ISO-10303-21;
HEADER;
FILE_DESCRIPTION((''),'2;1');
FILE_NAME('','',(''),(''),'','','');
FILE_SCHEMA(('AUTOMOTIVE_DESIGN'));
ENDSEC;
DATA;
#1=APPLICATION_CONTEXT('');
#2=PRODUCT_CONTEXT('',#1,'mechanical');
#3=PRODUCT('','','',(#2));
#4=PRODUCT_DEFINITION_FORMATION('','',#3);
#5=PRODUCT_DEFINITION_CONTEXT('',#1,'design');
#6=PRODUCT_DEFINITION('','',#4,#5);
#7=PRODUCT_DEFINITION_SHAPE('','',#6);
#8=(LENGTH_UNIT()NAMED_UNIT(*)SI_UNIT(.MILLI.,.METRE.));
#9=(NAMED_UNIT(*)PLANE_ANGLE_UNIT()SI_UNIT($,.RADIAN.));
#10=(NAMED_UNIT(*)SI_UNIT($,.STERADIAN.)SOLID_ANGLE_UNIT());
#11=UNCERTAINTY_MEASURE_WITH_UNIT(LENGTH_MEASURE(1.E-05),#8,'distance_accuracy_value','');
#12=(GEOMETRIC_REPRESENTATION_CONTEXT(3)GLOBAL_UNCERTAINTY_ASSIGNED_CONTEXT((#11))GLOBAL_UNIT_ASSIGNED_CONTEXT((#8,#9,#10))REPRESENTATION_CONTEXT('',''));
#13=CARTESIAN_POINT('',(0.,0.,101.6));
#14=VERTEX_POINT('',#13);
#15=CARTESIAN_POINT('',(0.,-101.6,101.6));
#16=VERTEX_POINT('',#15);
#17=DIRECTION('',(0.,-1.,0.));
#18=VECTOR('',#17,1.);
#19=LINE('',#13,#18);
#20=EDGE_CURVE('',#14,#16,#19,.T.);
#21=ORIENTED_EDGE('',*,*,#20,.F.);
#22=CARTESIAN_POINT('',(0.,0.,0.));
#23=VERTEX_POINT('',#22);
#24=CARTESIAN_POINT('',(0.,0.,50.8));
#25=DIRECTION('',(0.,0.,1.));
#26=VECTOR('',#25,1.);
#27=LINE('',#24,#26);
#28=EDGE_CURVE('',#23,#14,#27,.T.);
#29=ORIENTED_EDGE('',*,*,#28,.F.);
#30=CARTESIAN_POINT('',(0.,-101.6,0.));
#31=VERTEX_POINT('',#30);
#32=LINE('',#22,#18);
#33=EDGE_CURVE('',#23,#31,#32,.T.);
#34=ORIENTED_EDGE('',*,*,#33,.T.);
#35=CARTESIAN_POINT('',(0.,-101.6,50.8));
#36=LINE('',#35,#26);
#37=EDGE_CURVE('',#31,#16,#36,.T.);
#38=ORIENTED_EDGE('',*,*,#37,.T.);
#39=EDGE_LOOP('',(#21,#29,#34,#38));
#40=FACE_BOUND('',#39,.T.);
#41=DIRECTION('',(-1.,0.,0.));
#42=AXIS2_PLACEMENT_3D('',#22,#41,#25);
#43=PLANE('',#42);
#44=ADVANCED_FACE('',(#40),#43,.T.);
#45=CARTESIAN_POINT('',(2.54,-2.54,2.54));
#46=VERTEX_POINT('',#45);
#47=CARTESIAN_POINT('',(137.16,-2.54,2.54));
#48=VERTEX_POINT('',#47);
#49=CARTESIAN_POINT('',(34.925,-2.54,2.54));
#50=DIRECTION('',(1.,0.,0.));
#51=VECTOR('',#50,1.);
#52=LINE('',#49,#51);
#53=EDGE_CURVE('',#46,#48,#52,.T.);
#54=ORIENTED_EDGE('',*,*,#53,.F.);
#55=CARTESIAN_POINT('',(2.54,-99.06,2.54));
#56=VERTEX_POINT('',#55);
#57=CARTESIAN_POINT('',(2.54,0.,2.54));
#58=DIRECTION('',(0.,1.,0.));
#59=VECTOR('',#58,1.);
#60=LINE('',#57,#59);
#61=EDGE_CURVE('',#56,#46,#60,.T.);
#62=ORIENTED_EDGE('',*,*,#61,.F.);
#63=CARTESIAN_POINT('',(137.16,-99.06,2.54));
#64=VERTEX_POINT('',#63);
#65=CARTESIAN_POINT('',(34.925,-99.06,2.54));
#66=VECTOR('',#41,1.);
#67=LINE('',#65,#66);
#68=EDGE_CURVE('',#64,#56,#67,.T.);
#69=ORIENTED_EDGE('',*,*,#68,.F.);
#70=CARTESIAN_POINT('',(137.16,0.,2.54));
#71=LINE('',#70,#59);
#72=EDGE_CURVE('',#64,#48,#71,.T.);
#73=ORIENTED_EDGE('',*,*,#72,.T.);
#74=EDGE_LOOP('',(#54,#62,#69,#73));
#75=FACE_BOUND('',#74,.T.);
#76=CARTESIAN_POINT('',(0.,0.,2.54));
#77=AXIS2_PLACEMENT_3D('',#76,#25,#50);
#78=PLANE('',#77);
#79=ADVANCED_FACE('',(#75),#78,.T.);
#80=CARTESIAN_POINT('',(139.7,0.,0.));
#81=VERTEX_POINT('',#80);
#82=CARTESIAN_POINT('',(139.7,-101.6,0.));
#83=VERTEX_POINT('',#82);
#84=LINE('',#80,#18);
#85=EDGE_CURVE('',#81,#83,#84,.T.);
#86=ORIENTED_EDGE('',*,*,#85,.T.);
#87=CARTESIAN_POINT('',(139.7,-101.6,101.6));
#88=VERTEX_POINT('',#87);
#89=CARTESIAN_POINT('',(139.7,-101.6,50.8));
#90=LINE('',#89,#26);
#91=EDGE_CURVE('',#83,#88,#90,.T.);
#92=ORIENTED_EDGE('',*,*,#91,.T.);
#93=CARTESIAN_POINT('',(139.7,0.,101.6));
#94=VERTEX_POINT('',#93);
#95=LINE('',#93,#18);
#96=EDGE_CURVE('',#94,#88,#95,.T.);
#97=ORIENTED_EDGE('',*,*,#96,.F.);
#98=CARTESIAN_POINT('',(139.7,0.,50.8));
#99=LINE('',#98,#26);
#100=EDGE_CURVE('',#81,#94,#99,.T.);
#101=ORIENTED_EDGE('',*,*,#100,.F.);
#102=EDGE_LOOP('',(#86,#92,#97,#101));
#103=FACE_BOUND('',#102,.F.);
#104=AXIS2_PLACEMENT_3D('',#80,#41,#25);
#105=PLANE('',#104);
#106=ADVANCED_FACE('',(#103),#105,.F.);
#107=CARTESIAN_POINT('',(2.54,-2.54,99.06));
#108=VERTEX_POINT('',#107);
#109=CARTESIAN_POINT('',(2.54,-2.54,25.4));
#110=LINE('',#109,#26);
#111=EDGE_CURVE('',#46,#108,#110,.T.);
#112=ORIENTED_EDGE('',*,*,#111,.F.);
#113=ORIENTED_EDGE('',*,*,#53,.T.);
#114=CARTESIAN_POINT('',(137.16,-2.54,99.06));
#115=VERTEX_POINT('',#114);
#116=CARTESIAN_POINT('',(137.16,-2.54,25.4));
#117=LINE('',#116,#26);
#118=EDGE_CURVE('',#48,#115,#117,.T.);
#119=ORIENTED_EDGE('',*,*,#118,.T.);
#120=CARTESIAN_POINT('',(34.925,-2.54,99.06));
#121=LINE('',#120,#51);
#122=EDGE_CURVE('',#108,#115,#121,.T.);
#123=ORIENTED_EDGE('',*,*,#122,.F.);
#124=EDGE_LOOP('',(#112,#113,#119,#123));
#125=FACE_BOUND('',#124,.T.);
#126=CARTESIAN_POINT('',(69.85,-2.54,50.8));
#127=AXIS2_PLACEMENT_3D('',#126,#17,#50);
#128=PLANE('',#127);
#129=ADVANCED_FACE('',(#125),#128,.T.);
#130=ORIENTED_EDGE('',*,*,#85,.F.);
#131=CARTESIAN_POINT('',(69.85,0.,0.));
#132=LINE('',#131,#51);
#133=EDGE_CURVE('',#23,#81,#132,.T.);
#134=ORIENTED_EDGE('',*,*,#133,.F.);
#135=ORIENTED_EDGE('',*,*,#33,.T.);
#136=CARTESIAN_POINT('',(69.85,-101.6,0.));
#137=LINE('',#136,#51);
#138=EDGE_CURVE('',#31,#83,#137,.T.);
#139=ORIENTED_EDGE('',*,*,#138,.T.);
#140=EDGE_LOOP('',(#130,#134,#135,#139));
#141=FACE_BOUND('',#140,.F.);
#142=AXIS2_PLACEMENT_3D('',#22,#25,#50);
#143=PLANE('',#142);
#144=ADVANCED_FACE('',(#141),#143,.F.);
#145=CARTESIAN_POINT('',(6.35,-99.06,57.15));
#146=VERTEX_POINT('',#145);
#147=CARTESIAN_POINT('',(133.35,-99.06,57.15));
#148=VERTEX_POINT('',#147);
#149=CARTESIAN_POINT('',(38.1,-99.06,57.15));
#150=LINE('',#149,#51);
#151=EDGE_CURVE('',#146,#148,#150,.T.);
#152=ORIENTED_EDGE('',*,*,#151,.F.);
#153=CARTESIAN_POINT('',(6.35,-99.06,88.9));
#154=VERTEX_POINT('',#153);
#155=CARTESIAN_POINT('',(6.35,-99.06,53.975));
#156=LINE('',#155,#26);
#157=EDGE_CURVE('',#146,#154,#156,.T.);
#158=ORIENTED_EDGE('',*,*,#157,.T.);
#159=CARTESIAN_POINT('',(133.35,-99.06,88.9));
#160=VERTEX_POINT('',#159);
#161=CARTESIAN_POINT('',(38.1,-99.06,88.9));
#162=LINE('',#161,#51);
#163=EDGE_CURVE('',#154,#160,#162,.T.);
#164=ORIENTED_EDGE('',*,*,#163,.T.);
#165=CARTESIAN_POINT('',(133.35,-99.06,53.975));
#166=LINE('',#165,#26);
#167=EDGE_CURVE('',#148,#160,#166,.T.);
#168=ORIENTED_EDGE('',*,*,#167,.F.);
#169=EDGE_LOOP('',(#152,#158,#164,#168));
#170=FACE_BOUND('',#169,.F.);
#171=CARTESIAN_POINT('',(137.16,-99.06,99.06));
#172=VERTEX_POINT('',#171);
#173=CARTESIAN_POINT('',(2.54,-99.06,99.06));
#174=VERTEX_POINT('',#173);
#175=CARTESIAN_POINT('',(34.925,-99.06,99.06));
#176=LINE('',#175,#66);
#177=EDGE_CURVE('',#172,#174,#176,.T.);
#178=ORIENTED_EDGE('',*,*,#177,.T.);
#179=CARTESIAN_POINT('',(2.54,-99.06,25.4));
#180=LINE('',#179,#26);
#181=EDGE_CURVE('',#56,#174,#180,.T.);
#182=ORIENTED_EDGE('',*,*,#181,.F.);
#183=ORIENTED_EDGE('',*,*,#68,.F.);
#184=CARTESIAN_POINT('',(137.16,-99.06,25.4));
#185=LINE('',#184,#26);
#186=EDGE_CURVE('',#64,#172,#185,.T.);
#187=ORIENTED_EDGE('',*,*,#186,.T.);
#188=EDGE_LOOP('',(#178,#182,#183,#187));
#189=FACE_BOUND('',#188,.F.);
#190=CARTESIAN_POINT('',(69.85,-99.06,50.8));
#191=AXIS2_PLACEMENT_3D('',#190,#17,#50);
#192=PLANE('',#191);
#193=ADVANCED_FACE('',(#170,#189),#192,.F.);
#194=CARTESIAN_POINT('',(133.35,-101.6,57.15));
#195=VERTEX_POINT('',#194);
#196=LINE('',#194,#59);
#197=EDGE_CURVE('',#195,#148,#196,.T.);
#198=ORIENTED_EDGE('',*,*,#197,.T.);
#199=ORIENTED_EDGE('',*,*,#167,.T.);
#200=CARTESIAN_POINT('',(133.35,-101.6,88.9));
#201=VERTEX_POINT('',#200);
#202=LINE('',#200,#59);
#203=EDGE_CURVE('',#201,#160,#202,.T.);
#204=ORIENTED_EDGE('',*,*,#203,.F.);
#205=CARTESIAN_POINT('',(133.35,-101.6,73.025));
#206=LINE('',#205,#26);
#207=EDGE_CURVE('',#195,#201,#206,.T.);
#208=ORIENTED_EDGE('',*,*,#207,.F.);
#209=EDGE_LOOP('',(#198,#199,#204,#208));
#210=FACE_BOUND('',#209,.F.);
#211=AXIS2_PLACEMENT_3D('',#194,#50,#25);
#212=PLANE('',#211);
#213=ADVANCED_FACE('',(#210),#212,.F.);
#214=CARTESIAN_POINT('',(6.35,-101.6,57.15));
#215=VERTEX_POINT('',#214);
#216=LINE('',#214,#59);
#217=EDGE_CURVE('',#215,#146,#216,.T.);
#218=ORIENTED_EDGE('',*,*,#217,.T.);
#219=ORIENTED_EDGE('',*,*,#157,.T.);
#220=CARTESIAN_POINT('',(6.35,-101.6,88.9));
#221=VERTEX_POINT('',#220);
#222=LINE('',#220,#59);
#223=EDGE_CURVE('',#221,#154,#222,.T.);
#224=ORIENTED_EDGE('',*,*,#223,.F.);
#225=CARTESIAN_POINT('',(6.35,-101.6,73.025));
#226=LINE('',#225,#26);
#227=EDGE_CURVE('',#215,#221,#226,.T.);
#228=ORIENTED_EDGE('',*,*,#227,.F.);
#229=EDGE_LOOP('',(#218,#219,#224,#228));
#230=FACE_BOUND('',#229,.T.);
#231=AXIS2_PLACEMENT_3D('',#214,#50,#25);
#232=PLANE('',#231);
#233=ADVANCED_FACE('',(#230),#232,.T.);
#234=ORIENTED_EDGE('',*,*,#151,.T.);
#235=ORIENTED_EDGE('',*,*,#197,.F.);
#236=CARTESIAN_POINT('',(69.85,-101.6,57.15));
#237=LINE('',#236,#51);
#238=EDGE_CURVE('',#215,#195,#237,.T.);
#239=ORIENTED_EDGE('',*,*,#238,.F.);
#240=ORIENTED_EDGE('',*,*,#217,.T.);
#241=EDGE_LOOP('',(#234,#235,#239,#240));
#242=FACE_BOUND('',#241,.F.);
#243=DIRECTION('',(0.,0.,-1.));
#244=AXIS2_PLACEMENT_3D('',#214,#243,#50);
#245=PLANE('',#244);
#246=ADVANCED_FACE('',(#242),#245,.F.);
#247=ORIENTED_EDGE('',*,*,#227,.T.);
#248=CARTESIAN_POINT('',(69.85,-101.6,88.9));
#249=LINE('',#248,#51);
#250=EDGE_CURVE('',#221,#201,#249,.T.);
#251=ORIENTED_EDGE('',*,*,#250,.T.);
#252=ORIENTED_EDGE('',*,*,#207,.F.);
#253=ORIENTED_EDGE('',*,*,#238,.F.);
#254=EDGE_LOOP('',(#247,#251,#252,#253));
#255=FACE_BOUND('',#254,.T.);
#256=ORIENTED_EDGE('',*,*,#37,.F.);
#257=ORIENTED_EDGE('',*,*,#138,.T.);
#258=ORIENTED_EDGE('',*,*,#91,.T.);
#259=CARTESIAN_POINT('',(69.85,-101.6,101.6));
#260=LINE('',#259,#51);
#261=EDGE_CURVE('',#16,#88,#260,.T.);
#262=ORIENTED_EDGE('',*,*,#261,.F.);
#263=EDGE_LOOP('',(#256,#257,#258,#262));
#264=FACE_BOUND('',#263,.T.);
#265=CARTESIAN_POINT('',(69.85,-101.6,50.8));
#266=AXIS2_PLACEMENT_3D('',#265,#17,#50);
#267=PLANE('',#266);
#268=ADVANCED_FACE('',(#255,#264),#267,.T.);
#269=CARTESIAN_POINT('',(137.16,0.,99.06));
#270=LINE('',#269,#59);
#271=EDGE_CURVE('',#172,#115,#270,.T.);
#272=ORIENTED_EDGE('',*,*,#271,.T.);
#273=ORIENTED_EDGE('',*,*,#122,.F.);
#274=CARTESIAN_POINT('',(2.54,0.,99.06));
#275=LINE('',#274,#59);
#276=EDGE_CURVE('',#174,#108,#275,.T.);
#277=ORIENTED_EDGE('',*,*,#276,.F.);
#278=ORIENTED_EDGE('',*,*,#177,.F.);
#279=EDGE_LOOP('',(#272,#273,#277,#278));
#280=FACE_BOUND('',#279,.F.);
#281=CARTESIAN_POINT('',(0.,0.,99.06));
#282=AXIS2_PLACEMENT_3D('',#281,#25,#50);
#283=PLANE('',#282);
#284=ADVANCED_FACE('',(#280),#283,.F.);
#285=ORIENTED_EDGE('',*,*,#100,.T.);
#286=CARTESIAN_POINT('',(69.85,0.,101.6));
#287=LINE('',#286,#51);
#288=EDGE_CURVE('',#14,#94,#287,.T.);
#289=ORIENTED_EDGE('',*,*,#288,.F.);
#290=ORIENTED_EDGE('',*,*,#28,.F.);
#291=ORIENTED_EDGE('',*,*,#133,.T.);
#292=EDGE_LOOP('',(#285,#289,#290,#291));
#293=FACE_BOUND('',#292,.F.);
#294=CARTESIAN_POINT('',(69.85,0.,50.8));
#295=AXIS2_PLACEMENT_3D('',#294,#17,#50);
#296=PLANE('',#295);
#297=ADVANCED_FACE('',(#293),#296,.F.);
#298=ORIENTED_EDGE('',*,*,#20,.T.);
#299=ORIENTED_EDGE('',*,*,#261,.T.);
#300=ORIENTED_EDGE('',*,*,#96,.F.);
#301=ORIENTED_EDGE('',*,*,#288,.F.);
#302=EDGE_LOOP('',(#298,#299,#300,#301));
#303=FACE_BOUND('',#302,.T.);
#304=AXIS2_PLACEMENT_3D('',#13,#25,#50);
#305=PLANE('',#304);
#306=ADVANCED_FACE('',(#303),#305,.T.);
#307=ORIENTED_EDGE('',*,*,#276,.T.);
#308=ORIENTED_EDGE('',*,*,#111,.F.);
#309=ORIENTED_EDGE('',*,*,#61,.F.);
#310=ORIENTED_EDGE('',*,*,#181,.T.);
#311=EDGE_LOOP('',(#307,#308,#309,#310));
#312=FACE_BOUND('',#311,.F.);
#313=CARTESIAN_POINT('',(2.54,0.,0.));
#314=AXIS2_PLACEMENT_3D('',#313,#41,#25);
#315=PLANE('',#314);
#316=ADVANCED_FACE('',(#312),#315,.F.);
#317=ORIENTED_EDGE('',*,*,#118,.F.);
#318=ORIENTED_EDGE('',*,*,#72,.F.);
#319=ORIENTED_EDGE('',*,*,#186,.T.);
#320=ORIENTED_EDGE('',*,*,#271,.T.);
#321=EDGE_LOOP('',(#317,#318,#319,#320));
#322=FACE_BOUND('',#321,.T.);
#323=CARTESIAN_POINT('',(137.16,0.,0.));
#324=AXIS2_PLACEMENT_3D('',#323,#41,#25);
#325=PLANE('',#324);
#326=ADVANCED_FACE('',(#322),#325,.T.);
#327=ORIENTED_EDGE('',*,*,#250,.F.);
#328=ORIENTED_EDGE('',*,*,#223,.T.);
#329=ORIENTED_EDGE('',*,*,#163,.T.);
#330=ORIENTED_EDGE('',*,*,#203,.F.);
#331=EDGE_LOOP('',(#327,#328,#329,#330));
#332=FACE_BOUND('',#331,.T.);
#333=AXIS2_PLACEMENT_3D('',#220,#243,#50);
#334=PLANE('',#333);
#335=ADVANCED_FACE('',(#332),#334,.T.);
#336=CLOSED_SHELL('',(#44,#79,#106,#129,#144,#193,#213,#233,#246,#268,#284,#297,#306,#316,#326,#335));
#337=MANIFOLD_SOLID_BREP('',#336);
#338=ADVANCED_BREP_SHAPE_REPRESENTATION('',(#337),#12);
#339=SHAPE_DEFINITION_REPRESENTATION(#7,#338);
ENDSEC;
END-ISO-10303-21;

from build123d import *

# Parameters (mm, degrees)
F0_W     = 139.7
F0_H     = 101.6
F1_DEPTH = 101.6
F2_T     = -2.54
F3_W     = 127
F3_H     = 31.75
F4_DEPTH = 25.4


with BuildPart() as f1:
    # F0 (on Front) → F1 (new body)
    with BuildSketch(Plane.XZ):
        with Locations((69.85, 50.8)):
            Rectangle(F0_W, F0_H)
    extrude(amount=F1_DEPTH)

    # F2 (hollow: no face is removed)
    offset(amount=F2_T, mode=Mode.SUBTRACT)

    # F3 (on face) → F4 (cut)
    with BuildSketch(Plane.XZ.offset(101.6)):
        with Locations((69.85, 73.025)):
            Rectangle(F3_W, F3_H)
    extrude(amount=-F4_DEPTH, mode=Mode.SUBTRACT)


solid = f1.part
